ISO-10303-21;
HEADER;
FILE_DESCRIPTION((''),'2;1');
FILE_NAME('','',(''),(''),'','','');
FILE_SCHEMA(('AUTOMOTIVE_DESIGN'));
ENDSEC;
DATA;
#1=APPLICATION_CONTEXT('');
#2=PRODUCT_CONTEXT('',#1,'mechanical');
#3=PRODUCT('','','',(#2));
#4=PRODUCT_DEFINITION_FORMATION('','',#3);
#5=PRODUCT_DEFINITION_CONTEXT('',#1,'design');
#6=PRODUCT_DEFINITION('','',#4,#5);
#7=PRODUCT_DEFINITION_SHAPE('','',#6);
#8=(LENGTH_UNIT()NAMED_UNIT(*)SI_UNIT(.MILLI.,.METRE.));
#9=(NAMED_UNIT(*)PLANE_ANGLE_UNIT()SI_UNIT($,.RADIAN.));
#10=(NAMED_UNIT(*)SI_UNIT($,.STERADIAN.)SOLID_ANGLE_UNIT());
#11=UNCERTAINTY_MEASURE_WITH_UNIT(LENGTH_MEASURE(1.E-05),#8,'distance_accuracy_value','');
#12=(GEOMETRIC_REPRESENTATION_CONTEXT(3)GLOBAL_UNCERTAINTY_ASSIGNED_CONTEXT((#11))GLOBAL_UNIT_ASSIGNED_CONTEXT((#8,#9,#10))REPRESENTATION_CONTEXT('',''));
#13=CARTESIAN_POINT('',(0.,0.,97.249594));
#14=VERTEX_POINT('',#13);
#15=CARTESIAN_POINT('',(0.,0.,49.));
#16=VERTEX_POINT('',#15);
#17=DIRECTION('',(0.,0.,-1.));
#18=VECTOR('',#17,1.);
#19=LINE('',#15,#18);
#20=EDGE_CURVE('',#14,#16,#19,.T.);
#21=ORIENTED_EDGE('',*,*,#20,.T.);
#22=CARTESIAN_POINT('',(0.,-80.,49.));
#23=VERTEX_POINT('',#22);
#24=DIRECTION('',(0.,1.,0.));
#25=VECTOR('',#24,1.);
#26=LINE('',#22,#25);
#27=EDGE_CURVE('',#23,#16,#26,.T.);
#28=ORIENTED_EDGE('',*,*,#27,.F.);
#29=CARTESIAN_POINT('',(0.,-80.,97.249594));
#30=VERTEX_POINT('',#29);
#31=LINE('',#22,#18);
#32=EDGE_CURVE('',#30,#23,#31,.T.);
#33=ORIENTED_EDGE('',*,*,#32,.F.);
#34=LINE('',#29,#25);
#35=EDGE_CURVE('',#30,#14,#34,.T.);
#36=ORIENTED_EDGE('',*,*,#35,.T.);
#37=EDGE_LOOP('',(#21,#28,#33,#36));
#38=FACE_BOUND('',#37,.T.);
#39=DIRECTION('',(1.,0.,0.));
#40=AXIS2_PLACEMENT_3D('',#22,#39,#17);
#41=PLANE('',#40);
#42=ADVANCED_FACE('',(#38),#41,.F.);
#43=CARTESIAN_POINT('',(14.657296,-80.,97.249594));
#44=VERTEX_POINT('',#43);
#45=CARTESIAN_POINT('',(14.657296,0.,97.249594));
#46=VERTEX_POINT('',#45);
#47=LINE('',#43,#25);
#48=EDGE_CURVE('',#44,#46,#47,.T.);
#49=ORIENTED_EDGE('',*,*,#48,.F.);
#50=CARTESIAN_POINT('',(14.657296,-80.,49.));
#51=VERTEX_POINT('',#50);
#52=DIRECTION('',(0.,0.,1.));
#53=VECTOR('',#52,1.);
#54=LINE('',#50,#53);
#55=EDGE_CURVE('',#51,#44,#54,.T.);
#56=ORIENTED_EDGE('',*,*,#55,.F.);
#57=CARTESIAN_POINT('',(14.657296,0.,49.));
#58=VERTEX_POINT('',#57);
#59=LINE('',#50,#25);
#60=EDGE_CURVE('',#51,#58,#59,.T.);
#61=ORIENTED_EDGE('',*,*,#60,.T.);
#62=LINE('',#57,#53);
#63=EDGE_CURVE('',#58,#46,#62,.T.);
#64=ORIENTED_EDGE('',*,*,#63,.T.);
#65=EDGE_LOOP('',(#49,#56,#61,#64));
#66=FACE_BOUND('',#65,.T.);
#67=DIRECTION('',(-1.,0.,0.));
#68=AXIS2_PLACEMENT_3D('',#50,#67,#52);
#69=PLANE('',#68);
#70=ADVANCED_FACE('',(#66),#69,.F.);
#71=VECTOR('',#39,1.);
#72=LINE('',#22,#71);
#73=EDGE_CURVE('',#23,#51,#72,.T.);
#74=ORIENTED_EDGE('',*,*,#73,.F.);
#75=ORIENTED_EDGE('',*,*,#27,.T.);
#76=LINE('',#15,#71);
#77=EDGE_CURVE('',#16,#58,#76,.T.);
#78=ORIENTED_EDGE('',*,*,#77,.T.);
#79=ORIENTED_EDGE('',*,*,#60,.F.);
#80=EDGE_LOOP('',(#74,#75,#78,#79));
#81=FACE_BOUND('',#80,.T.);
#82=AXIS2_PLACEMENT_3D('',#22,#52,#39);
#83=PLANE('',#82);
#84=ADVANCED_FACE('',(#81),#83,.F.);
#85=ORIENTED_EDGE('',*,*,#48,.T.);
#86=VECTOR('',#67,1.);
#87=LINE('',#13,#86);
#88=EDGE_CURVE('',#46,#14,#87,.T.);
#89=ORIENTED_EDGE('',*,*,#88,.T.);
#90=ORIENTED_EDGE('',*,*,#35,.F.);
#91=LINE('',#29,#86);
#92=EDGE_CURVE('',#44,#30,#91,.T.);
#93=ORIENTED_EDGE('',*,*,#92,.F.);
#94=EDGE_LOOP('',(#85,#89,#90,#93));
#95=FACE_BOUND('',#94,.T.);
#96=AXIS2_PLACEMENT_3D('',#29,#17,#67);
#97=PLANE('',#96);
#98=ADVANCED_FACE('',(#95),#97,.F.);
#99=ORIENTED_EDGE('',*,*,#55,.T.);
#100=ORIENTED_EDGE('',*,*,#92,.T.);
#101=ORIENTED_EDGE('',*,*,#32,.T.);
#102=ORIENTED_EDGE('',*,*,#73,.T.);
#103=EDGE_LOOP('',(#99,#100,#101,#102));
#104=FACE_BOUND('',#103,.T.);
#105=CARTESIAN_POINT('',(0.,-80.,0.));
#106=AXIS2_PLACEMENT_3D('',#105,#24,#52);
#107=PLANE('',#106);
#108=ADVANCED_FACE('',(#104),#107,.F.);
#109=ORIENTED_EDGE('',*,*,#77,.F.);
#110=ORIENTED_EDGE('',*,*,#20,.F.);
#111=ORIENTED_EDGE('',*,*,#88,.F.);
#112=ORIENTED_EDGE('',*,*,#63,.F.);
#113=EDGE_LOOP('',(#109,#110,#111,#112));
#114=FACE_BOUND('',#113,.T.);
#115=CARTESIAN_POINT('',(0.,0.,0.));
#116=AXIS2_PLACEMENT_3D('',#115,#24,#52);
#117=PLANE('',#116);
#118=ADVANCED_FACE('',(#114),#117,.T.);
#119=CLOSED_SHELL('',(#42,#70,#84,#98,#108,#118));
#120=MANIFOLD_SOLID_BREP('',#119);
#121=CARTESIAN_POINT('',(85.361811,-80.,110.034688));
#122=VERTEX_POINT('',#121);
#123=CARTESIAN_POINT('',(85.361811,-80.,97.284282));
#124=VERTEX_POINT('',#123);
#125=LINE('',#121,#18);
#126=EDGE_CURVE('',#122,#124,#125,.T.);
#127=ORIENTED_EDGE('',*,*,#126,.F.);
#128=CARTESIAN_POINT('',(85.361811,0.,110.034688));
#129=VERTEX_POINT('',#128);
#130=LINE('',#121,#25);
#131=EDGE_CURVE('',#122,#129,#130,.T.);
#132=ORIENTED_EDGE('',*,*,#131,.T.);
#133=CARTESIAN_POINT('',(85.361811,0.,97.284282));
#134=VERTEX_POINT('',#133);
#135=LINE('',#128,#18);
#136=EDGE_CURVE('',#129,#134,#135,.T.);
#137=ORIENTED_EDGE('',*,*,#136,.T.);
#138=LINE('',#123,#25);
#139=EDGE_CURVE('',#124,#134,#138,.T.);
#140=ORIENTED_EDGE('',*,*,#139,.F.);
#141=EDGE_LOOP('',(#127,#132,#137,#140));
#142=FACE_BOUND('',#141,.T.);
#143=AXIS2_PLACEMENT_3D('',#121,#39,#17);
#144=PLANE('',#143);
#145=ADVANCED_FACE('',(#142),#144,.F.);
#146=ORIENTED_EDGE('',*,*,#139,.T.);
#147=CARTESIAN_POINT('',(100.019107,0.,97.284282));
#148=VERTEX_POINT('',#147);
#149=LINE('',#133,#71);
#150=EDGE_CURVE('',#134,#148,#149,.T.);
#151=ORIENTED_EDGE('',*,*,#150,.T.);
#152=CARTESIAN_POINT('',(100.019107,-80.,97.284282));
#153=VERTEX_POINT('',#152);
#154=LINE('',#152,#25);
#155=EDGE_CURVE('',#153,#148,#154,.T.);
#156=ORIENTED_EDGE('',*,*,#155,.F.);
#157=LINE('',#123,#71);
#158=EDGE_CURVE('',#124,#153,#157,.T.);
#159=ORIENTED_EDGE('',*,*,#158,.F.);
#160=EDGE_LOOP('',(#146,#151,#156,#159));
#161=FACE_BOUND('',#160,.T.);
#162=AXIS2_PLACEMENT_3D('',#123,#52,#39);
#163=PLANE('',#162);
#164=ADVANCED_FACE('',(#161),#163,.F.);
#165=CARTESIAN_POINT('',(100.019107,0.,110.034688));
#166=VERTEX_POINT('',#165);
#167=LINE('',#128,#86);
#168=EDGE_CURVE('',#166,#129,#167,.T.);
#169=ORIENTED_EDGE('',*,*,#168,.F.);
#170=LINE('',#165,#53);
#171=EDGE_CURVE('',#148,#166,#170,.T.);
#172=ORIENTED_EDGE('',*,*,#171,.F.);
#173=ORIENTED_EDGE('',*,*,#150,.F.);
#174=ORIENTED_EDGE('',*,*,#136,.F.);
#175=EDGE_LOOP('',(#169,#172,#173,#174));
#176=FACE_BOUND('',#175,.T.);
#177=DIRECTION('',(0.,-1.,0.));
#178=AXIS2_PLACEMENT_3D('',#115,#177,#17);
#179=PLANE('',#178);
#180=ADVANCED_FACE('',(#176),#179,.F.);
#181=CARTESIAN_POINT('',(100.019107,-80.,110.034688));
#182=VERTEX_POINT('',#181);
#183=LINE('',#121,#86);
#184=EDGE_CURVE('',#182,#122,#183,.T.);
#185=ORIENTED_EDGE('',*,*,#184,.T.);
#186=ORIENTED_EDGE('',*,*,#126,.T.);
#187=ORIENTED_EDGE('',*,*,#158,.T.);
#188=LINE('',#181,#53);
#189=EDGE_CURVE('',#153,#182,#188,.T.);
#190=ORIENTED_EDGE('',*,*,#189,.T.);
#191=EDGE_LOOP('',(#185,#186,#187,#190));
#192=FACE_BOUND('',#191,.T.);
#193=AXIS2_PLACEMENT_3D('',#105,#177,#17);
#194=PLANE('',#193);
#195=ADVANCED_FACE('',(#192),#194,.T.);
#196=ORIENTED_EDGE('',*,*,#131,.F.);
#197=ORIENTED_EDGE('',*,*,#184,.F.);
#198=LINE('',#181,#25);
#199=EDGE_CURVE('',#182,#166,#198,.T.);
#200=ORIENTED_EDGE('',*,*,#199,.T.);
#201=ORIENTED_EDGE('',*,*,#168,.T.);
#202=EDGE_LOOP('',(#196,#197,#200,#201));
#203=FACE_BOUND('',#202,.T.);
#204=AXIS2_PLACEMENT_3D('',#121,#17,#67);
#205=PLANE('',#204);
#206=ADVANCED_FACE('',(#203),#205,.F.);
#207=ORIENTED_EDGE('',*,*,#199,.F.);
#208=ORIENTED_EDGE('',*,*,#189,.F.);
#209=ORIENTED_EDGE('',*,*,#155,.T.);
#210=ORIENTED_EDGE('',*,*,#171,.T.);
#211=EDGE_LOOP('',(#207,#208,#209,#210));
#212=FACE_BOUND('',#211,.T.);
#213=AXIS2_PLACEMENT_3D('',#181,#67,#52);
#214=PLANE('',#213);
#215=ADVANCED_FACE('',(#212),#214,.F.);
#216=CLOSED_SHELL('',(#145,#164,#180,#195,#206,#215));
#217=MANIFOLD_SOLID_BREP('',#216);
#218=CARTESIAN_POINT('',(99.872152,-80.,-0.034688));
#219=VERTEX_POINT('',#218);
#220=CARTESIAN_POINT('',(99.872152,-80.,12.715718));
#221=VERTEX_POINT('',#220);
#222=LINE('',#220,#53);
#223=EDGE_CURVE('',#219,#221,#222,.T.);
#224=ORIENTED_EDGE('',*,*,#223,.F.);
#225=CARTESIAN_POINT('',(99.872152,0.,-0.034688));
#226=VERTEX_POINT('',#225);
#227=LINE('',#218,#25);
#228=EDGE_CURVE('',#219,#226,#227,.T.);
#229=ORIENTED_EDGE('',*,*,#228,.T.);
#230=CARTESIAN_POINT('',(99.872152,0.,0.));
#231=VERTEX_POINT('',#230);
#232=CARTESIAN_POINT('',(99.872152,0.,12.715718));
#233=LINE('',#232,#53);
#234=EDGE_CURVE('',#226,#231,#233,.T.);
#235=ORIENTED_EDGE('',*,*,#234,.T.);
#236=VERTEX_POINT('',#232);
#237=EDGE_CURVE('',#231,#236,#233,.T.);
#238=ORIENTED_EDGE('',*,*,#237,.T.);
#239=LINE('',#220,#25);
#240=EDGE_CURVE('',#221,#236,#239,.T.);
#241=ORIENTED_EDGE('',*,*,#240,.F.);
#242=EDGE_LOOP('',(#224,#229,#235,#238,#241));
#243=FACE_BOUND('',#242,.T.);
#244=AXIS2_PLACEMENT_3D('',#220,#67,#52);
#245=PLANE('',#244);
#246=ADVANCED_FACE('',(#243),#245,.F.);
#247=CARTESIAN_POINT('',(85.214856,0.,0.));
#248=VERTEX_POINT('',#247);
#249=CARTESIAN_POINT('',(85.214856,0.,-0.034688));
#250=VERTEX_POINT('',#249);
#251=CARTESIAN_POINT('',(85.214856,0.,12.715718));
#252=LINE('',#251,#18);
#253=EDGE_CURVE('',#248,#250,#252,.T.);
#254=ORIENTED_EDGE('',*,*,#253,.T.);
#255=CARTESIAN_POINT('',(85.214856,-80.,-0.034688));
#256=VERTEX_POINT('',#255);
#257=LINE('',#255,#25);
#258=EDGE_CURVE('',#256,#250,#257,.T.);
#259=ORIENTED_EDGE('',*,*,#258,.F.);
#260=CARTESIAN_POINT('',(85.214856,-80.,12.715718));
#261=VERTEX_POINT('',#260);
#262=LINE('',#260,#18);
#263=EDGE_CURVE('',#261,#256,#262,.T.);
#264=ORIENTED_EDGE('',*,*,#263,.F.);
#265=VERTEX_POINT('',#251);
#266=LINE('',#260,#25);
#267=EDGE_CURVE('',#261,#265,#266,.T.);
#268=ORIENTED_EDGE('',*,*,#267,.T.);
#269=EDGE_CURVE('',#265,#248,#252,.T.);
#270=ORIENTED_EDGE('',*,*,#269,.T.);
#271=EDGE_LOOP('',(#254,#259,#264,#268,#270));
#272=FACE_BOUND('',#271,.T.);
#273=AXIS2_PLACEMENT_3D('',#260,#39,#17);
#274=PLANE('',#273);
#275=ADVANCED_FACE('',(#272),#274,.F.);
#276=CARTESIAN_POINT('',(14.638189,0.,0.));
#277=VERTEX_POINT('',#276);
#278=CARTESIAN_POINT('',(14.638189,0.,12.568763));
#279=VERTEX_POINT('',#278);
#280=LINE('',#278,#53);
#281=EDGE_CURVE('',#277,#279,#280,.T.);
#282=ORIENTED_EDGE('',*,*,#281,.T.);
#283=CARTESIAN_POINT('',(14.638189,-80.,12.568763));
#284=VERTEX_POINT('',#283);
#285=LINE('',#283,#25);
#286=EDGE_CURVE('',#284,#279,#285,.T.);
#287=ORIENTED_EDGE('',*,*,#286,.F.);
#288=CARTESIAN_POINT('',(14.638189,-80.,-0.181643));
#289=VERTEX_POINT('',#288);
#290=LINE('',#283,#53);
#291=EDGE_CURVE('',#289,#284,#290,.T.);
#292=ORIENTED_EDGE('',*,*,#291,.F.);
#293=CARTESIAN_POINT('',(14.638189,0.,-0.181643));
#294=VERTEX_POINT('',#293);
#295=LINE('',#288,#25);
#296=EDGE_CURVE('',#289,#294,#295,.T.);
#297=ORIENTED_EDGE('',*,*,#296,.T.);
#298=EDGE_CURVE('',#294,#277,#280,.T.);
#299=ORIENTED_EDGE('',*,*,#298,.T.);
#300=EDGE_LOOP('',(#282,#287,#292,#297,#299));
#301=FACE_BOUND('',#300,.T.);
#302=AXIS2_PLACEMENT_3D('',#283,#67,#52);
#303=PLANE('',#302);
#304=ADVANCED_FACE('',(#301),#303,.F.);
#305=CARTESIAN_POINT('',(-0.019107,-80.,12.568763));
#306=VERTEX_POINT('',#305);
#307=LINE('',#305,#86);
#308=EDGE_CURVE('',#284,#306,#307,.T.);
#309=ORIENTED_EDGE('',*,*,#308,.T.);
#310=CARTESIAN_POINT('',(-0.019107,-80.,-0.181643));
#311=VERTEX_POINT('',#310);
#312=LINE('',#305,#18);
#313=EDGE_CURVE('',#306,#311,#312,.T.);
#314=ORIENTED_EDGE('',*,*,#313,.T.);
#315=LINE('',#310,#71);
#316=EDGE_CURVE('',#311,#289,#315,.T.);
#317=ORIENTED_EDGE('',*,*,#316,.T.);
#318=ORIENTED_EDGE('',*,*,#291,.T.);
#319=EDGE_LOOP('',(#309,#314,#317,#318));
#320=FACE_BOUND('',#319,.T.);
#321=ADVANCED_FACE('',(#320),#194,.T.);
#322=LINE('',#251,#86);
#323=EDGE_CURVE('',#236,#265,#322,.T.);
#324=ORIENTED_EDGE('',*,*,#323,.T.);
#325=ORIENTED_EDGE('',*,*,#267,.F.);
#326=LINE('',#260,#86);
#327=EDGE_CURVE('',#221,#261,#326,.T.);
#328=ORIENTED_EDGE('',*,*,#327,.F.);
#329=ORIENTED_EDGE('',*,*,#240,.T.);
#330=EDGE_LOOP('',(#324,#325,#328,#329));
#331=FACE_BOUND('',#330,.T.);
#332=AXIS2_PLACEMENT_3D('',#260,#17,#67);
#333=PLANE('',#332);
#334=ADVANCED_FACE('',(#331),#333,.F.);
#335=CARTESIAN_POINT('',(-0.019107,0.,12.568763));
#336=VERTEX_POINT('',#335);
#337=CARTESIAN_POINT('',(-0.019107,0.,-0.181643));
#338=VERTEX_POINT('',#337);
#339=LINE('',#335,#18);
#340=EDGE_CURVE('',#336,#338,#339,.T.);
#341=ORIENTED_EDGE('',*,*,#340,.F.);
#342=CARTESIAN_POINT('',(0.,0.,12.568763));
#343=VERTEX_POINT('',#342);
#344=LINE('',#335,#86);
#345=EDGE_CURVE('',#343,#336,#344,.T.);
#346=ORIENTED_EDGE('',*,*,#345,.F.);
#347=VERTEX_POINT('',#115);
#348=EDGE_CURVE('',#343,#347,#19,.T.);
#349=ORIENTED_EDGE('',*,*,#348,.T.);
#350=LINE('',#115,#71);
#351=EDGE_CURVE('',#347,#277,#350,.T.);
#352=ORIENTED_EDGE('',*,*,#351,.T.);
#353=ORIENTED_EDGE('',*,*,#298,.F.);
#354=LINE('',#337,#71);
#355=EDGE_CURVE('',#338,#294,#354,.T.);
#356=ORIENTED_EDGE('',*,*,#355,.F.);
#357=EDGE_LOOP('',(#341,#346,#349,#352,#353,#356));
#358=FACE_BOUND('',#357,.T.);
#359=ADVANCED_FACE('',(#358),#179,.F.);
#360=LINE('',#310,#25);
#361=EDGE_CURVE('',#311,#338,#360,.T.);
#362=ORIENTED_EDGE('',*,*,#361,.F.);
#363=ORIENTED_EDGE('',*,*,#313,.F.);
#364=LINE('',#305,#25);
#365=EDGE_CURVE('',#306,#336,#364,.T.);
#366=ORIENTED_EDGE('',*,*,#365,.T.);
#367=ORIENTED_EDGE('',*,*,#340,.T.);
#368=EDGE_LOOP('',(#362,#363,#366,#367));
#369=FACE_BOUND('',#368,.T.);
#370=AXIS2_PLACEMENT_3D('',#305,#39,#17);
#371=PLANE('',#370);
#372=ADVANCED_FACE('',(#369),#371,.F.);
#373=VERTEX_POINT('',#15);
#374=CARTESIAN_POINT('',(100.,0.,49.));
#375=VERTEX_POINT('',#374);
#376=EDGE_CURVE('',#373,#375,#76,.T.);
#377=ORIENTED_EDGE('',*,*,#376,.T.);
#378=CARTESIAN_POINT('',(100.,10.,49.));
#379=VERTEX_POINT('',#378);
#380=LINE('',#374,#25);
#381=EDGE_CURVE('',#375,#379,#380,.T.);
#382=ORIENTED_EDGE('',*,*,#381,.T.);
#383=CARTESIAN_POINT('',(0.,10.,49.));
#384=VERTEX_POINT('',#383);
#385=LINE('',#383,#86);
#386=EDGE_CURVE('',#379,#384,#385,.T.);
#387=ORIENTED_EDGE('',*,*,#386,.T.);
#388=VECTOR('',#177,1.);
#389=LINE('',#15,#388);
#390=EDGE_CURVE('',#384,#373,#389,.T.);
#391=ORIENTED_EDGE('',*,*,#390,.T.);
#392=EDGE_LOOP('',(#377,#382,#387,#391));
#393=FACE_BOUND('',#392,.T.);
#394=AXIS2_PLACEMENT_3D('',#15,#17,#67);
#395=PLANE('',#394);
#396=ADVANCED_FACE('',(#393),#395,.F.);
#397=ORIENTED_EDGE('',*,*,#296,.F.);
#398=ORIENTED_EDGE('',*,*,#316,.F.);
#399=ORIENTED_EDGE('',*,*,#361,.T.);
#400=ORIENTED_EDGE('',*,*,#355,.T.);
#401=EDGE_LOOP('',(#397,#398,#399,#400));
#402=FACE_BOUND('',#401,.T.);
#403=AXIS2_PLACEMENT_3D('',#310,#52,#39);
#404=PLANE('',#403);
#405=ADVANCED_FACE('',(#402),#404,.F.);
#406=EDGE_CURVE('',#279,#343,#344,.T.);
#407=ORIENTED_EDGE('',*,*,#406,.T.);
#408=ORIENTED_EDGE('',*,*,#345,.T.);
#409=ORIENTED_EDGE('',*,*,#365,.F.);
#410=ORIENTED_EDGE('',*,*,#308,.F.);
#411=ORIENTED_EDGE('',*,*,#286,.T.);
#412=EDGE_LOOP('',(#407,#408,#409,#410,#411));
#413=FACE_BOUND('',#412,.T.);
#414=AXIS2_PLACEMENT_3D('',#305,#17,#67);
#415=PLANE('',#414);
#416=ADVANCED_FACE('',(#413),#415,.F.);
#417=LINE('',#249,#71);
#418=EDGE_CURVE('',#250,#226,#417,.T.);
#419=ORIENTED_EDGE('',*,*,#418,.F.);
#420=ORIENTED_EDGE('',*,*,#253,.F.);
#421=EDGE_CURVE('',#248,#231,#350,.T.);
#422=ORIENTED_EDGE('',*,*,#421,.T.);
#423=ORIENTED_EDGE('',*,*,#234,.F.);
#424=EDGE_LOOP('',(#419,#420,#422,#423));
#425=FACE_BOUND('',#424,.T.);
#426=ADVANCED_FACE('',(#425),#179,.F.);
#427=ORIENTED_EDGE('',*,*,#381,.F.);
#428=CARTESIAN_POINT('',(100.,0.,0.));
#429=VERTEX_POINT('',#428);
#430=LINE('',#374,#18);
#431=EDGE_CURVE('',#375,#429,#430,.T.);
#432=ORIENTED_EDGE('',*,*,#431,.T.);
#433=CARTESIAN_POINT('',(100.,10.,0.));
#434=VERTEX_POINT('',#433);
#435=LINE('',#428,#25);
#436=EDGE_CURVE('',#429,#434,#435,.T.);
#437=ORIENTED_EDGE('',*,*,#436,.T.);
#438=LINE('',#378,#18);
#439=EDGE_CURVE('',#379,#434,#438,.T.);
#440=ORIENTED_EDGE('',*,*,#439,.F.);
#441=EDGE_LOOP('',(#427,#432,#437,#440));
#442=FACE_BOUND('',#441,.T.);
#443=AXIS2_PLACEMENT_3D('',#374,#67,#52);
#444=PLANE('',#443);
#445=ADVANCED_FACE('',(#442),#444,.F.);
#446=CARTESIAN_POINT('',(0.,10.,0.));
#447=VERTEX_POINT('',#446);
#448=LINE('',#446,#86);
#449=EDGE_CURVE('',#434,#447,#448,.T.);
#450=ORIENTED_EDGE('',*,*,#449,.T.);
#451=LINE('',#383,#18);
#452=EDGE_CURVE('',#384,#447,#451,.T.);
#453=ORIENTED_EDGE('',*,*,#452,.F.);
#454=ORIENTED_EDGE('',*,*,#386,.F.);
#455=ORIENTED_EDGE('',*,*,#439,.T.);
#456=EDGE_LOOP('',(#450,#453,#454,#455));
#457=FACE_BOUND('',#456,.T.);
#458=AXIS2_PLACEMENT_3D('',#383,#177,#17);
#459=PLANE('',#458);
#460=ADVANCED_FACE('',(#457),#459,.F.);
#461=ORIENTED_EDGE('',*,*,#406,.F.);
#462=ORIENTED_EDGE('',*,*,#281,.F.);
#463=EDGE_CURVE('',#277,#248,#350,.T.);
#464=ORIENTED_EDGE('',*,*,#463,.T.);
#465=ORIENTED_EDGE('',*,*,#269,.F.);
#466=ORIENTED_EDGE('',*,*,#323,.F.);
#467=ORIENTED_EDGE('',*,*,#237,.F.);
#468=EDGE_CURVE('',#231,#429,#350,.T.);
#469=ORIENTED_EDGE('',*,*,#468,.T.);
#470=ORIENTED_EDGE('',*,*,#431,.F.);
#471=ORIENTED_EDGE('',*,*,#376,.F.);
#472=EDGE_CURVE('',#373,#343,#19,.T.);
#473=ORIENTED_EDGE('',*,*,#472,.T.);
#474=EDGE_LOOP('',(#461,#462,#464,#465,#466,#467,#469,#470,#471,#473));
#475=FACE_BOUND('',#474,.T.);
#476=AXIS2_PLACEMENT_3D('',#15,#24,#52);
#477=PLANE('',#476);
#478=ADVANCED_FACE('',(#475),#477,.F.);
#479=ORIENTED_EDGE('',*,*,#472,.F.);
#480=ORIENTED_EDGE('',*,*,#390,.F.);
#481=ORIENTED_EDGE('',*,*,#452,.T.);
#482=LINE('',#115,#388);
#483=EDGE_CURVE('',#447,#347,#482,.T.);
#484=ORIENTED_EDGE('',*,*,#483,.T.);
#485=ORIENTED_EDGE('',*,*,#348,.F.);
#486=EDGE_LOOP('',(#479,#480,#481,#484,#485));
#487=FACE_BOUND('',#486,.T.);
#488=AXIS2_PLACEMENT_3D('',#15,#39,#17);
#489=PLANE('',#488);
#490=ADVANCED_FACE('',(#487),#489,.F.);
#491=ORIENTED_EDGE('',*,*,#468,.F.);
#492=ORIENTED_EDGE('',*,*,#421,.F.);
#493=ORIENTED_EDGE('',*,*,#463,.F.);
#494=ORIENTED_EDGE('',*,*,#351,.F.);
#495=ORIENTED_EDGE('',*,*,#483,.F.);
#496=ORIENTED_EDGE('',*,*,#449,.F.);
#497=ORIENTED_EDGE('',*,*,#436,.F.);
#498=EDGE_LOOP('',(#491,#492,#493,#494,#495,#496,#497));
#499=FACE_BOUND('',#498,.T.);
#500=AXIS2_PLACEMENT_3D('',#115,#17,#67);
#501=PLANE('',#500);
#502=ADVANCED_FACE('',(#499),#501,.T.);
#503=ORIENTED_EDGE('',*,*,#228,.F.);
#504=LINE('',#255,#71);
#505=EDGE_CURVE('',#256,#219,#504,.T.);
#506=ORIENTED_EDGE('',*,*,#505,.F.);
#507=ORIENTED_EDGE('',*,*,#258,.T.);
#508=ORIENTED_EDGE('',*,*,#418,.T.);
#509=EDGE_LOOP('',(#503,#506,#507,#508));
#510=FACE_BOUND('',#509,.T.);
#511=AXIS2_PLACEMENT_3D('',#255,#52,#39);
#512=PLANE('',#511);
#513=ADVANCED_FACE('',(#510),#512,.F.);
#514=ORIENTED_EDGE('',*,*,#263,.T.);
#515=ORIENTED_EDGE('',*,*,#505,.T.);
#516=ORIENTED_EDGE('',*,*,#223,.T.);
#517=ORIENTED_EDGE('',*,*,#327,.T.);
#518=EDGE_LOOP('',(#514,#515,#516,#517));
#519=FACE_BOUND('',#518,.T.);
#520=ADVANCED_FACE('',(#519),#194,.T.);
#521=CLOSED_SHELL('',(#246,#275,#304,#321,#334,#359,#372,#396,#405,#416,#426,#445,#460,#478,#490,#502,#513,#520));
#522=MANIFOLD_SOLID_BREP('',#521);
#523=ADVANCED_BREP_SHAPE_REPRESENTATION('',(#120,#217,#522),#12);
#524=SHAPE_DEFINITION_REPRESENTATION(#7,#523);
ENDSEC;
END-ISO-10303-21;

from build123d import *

# Parameters (mm, degrees)
SKETCH1_W           = 100
SKETCH1_H           = 10
BOSS_EXTRUDE1_DEPTH = 49
SKETCH2_W           = 14.657296337
SKETCH2_H           = 12.750406224
SKETCH2_H_2         = 48.249593776
SKETCH2_W_2         = 14.657296336
BOSS_EXTRUDE2_DEPTH = 80


with BuildPart() as part:
    # Sketch1 → Boss-Extrude1 (new body)
    with BuildSketch(Plane.XY):
        with Locations((50, 5)):
            Rectangle(SKETCH1_W, SKETCH1_H)
    extrude(amount=BOSS_EXTRUDE1_DEPTH)

    # Sketch2 → Boss-Extrude2 (add)
    with BuildSketch(Plane.XZ):
        with Locations((92.690459103, 103.659485129)):
            Rectangle(SKETCH2_W, SKETCH2_H)
        with Locations((7.328648169, 73.124796888)):
            Rectangle(SKETCH2_W, SKETCH2_H_2)
        with Locations((7.309540898, 6.193559762)):
            Rectangle(SKETCH2_W, SKETCH2_H)
        with Locations((92.543503994, 6.340514871)):
            Rectangle(SKETCH2_W_2, SKETCH2_H)
    extrude(amount=BOSS_EXTRUDE2_DEPTH)


with BuildPart() as boss_extrude2_piece_1:
    # of the separate pieces the step leaves, piece 1, a body of its own (boss_extrude2_pieces)
    add(part.part.solids().sort_by_distance((0, 0, 12.568762874))[0])


with BuildPart() as boss_extrude2_piece_2:
    # of the separate pieces the step leaves, piece 2, a body of its own (boss_extrude2_pieces)
    add(part.part.solids().sort_by_distance((0, -80, 49))[0])


with BuildPart() as boss_extrude2_piece_3:
    # of the separate pieces the step leaves, piece 3, a body of its own (boss_extrude2_pieces)
    add(part.part.solids().sort_by_distance((85.361810934, 0, 110.034688241))[0])


solid = Compound([boss_extrude2_piece_1.part, boss_extrude2_piece_2.part, boss_extrude2_piece_3.part])
